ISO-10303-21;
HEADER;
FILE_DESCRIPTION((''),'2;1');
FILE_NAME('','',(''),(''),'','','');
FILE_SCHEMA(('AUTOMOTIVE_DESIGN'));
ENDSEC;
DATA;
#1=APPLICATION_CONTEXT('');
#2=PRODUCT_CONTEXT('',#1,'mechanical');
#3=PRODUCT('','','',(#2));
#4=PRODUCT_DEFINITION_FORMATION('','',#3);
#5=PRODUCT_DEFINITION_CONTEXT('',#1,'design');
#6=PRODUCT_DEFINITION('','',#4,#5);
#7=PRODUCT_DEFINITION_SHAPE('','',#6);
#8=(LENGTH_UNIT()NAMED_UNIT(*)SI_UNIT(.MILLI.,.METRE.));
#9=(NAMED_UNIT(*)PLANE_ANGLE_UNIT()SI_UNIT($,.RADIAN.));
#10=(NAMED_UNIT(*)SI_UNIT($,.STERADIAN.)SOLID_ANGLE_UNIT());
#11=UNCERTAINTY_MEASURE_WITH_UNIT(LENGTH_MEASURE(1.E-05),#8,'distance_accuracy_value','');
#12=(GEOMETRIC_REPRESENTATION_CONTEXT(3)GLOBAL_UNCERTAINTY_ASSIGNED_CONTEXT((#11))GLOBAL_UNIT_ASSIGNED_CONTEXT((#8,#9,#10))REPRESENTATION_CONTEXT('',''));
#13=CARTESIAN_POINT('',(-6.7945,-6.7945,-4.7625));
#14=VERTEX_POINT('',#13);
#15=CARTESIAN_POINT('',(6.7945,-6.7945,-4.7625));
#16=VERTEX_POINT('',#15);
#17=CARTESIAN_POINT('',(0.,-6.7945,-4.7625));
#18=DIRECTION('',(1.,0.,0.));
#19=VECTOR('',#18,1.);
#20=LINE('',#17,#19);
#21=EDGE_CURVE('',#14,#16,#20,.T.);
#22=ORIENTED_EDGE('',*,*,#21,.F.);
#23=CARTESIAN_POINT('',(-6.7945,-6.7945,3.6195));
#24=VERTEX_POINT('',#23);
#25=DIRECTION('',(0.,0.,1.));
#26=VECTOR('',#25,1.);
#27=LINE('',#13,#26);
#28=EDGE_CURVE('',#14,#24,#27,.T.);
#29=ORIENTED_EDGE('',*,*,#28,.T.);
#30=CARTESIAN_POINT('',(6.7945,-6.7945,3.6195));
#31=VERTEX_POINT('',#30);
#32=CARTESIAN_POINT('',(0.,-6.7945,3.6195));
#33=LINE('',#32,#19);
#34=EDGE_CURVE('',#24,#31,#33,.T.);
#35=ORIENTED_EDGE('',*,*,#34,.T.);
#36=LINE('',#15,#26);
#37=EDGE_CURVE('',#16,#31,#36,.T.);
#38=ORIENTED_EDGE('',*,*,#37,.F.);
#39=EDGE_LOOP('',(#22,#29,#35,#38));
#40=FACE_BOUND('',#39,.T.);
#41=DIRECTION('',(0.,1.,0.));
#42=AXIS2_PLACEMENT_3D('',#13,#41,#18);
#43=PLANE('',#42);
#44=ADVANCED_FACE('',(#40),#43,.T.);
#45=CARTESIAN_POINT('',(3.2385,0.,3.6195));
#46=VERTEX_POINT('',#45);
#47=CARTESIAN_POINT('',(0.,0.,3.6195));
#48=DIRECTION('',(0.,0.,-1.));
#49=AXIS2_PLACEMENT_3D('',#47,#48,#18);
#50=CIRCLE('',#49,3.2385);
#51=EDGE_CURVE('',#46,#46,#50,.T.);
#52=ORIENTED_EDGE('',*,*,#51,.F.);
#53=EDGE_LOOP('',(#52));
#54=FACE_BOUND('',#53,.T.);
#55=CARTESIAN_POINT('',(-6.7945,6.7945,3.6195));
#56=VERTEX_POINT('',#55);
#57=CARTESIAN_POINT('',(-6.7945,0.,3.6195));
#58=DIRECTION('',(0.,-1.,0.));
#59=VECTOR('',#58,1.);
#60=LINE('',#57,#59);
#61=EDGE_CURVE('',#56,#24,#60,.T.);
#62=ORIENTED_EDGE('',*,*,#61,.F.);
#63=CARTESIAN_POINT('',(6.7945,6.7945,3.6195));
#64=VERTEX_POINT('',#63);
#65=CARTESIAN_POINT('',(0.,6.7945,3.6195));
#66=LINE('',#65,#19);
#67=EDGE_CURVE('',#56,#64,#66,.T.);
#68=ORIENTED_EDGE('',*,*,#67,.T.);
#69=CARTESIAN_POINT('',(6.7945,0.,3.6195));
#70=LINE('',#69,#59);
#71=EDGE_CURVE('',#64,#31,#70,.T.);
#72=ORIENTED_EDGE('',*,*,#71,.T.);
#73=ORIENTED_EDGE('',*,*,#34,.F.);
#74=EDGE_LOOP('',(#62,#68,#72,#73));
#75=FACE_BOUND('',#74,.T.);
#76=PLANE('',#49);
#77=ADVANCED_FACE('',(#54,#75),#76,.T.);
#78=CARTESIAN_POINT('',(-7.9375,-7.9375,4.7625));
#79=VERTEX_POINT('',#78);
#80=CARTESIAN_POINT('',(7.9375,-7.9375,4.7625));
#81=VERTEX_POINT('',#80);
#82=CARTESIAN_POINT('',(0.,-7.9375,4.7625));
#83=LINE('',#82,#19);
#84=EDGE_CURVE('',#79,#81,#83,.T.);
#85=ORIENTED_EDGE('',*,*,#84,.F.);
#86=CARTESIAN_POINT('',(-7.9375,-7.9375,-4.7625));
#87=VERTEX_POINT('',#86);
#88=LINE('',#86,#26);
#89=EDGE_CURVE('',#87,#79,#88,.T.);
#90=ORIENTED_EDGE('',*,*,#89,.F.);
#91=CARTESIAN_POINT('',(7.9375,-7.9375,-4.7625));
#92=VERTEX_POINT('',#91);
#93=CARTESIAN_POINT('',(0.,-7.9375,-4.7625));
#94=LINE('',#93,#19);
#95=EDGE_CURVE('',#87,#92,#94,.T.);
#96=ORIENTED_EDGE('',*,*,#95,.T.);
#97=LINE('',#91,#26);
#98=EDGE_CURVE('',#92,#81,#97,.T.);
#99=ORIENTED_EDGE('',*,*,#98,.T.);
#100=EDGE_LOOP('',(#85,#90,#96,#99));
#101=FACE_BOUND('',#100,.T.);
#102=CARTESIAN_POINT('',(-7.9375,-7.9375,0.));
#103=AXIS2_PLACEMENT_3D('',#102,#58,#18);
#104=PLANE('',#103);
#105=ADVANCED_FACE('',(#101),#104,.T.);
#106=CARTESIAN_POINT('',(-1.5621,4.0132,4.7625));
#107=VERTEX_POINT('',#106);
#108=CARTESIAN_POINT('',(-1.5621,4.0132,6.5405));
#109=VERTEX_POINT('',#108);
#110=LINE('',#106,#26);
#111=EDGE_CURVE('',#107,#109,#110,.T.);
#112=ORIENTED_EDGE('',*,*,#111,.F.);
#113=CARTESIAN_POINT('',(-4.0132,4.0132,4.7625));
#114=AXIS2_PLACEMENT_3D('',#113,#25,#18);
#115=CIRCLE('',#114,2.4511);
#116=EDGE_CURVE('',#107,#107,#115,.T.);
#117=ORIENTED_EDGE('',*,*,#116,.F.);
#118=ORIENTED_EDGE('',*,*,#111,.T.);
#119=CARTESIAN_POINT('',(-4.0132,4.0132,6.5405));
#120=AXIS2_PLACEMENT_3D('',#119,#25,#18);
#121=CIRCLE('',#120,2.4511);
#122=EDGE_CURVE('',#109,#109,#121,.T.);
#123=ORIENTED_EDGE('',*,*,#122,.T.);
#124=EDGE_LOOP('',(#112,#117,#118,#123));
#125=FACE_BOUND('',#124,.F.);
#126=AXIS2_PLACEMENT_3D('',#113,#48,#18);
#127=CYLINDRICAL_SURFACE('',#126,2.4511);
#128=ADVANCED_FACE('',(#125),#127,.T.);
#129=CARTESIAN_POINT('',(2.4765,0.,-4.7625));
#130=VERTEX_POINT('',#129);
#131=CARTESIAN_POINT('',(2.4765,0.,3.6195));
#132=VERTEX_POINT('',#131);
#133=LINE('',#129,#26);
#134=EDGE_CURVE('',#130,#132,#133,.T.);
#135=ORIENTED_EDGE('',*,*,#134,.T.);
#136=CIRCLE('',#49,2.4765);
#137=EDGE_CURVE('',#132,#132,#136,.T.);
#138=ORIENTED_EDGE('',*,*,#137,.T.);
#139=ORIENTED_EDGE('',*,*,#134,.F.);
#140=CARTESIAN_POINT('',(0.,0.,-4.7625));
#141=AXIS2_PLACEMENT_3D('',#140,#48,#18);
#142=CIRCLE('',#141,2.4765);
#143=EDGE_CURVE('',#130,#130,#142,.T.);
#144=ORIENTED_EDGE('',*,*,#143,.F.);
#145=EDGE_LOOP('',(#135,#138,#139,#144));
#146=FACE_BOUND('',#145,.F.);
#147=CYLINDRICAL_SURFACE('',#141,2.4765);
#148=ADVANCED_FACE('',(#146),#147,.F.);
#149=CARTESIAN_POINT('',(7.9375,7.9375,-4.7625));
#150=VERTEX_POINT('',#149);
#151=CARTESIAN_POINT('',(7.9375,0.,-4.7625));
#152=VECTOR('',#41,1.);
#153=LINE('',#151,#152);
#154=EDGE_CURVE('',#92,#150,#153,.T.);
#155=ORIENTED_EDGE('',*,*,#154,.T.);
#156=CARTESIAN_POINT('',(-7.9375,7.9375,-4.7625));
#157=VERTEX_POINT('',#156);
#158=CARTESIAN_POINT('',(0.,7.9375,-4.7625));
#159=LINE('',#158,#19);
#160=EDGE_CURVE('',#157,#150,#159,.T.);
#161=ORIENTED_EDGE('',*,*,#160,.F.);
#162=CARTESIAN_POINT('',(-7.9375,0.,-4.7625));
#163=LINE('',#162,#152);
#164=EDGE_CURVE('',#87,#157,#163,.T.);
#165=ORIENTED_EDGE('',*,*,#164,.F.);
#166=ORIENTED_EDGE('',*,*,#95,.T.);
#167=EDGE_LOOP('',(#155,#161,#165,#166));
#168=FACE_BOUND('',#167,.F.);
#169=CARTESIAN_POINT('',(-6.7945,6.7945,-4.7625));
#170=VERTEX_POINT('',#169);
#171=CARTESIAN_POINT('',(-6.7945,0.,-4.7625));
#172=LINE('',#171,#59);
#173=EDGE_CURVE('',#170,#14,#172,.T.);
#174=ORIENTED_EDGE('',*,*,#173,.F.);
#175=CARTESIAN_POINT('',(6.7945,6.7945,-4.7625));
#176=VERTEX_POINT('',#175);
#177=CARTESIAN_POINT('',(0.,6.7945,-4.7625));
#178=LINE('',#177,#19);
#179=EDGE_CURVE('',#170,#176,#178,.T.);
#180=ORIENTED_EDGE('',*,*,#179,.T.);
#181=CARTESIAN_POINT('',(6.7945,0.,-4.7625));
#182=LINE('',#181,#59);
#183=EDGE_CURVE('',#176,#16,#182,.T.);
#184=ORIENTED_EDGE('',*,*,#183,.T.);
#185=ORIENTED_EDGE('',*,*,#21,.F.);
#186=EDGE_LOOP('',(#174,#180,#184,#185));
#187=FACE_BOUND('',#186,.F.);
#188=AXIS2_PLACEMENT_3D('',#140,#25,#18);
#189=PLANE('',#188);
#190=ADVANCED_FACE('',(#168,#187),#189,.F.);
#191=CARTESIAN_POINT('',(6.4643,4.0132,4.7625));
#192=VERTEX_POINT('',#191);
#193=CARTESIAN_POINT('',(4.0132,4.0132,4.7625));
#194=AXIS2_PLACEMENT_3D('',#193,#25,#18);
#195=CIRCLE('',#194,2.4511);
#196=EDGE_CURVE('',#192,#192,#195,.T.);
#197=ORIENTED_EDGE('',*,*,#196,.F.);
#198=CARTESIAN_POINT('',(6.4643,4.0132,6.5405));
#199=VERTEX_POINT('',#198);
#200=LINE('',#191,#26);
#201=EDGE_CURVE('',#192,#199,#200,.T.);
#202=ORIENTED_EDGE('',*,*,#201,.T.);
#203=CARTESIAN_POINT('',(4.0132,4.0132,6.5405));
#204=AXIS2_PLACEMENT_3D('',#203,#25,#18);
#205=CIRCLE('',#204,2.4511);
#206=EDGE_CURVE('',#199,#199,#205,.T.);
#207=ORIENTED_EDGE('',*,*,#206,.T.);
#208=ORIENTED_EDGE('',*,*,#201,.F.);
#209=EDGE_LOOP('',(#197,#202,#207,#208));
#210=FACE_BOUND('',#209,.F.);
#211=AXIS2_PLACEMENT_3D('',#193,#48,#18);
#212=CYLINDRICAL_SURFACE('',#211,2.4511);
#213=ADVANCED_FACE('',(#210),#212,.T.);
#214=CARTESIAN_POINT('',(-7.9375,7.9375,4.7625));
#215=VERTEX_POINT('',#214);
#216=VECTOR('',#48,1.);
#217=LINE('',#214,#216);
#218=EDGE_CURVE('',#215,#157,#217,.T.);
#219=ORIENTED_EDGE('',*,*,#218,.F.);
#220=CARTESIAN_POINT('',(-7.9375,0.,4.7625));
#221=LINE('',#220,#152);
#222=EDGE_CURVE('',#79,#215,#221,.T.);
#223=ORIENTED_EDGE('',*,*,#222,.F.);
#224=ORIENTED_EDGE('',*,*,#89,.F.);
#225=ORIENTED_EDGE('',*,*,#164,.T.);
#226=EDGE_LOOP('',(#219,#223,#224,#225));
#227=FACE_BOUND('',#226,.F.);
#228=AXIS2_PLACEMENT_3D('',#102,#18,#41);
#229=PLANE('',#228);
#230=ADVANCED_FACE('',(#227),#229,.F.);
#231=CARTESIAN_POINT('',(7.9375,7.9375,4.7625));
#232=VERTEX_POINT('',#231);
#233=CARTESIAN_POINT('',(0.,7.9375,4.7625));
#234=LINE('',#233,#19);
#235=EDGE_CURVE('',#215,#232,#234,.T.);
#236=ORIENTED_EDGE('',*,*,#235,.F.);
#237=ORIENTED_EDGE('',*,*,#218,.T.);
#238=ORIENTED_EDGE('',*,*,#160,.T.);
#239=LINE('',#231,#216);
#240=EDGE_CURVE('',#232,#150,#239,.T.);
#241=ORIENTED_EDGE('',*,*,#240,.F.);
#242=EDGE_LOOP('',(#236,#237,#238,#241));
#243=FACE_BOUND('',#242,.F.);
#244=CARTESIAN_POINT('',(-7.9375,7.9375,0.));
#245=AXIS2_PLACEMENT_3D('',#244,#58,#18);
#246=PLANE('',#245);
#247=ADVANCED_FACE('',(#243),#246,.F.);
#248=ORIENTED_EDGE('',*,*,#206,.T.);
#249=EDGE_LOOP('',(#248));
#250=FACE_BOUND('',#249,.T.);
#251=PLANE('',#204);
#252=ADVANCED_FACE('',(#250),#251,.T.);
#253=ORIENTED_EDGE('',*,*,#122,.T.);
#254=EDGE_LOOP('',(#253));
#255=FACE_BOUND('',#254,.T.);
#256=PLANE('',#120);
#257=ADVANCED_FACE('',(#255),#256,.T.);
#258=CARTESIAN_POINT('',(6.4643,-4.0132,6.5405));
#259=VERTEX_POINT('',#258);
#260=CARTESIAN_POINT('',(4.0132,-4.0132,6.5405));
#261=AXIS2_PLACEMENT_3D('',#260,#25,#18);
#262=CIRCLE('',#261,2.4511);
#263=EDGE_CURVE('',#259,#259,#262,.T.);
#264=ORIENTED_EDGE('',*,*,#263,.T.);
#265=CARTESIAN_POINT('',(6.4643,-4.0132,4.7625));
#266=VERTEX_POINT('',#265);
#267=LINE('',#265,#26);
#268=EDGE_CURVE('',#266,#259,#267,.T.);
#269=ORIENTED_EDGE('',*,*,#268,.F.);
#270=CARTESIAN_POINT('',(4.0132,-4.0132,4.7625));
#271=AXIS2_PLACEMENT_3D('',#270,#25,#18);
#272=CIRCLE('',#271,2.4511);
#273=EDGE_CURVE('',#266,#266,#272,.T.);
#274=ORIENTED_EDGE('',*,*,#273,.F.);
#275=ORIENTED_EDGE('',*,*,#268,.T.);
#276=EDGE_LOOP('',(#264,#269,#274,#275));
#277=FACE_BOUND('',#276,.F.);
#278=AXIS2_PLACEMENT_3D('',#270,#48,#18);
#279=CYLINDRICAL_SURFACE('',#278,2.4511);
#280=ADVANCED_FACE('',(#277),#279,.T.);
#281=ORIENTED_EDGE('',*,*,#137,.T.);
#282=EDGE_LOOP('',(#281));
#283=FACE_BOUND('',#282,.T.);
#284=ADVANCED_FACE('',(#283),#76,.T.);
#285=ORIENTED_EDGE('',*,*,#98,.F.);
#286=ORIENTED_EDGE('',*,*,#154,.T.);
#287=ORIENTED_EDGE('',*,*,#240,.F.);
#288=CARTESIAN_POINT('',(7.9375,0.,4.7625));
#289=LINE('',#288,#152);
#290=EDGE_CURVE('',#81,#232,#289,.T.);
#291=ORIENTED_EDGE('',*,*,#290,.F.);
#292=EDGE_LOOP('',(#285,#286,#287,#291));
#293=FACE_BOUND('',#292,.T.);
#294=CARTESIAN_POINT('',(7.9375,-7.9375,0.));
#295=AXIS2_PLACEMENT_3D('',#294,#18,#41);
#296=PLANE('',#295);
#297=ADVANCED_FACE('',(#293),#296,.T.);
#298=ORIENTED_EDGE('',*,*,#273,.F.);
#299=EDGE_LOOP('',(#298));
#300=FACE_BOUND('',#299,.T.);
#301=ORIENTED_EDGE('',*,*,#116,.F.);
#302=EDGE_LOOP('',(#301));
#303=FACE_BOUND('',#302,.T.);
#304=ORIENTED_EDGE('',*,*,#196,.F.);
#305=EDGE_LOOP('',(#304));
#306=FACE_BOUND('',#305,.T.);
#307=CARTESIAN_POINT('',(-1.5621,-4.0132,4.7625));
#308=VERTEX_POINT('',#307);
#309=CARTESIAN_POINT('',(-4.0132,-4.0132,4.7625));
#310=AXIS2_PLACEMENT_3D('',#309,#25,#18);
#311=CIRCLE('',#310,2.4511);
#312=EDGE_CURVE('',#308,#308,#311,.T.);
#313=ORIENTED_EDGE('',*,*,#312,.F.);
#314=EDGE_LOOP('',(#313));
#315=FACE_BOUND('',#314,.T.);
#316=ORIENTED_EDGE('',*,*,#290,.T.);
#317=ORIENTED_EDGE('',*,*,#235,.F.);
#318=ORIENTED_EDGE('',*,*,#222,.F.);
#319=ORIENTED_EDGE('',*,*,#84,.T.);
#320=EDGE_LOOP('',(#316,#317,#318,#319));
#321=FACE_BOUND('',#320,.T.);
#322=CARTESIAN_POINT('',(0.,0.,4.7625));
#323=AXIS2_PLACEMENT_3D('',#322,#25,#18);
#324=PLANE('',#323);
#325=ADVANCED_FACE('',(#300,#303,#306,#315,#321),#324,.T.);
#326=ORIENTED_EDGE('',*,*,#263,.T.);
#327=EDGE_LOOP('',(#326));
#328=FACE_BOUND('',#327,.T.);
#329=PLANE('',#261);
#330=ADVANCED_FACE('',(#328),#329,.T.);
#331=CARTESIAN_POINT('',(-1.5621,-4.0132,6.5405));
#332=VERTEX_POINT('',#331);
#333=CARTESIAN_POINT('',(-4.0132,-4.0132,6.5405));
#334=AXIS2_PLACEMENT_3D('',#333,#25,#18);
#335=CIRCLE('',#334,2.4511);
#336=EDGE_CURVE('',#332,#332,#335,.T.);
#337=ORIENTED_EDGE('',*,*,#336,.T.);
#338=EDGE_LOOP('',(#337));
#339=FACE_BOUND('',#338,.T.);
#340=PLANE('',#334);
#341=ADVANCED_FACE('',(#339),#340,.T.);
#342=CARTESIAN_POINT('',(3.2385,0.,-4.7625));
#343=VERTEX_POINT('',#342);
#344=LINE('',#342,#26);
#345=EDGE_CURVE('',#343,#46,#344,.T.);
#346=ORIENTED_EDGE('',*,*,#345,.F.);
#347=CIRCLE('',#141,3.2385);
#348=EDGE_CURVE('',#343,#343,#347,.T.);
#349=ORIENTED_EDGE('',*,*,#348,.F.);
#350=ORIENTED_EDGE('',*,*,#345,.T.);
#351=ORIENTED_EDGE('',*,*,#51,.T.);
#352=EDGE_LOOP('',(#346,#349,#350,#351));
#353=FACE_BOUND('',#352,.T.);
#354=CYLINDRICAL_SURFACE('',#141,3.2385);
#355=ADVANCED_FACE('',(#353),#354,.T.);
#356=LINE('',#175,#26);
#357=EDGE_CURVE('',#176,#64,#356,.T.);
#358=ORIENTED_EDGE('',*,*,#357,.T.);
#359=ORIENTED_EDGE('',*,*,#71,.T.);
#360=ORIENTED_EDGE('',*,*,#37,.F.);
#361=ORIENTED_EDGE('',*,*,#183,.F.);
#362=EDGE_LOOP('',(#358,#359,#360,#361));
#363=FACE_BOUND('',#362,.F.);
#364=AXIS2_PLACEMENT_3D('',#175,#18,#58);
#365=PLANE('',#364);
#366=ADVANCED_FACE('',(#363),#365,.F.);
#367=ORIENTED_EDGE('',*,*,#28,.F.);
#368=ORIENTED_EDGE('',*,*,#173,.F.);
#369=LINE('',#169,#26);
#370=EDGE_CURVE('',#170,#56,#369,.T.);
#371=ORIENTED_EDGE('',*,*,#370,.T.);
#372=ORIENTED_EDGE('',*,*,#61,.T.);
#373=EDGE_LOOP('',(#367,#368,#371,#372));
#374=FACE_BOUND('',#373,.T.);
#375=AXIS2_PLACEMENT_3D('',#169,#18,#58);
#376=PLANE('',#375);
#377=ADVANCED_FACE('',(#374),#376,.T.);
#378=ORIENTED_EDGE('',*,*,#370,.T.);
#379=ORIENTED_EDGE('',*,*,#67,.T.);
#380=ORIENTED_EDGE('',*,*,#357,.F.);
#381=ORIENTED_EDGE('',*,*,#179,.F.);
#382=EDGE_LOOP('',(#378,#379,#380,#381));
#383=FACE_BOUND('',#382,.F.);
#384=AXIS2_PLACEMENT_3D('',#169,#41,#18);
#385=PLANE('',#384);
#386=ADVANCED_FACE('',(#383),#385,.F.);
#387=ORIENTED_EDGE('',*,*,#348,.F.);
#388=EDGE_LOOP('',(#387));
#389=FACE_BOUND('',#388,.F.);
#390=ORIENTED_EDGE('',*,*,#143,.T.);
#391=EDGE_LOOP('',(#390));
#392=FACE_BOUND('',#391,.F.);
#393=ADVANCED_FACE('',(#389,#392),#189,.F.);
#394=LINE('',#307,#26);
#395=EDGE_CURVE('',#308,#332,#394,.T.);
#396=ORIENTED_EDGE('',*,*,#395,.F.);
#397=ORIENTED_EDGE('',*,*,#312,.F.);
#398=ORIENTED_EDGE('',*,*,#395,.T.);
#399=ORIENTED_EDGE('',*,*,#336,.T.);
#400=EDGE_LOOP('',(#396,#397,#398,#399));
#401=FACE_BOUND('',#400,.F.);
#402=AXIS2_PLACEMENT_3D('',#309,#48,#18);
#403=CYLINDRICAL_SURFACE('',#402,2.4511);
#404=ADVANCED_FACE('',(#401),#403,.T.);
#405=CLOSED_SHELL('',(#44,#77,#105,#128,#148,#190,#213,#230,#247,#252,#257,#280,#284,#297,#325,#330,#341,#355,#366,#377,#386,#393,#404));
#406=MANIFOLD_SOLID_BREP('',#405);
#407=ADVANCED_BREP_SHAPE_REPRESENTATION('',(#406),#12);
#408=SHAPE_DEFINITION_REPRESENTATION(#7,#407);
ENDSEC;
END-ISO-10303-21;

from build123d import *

# Parameters (mm, degrees)
F0_W     = 15.875
F0_H     = 15.875
F1_DEPTH = 4.7625
F2_R     = 2.4511
F3_DEPTH = 1.778
F4_W     = 13.589
F4_H     = 13.589
F4_R     = 3.2385
F5_DEPTH = 8.382
F6_R     = 2.4765
F7_DEPTH = 8.382


with BuildPart() as f1:
    # F0 (on Top) → F1 (new body, symmetric)
    with BuildSketch(Plane.XY):
        Rectangle(F0_W, F0_H)
    extrude(amount=F1_DEPTH, both=True)

    # F2 (on face) → F3 (join)
    with BuildSketch(Plane.XY.offset(4.7625)):
        with Locations((-4.0132, -4.0132)):
            Circle(F2_R)
        with Locations((4.0132, -4.0132)):
            Circle(F2_R)
        with Locations((4.0132, 4.0132)):
            Circle(F2_R)
        with Locations((-4.0132, 4.0132)):
            Circle(F2_R)
    extrude(amount=F3_DEPTH)

    # F4 (on face) → F5 (cut)
    with BuildSketch(Plane(origin=(0, 0, -4.7625), x_dir=(1, 0, 0), z_dir=(0, 0, -1))):
        Rectangle(F4_W, F4_H)
        Circle(F4_R, mode=Mode.SUBTRACT)
    extrude(amount=-F5_DEPTH, mode=Mode.SUBTRACT)

    # F6 (on face) → F7 (cut)
    with BuildSketch(Plane(origin=(0, 0, -4.7625), x_dir=(1, 0, 0), z_dir=(0, 0, -1))):
        Circle(F6_R)
    extrude(amount=-F7_DEPTH, mode=Mode.SUBTRACT)


solid = f1.part
